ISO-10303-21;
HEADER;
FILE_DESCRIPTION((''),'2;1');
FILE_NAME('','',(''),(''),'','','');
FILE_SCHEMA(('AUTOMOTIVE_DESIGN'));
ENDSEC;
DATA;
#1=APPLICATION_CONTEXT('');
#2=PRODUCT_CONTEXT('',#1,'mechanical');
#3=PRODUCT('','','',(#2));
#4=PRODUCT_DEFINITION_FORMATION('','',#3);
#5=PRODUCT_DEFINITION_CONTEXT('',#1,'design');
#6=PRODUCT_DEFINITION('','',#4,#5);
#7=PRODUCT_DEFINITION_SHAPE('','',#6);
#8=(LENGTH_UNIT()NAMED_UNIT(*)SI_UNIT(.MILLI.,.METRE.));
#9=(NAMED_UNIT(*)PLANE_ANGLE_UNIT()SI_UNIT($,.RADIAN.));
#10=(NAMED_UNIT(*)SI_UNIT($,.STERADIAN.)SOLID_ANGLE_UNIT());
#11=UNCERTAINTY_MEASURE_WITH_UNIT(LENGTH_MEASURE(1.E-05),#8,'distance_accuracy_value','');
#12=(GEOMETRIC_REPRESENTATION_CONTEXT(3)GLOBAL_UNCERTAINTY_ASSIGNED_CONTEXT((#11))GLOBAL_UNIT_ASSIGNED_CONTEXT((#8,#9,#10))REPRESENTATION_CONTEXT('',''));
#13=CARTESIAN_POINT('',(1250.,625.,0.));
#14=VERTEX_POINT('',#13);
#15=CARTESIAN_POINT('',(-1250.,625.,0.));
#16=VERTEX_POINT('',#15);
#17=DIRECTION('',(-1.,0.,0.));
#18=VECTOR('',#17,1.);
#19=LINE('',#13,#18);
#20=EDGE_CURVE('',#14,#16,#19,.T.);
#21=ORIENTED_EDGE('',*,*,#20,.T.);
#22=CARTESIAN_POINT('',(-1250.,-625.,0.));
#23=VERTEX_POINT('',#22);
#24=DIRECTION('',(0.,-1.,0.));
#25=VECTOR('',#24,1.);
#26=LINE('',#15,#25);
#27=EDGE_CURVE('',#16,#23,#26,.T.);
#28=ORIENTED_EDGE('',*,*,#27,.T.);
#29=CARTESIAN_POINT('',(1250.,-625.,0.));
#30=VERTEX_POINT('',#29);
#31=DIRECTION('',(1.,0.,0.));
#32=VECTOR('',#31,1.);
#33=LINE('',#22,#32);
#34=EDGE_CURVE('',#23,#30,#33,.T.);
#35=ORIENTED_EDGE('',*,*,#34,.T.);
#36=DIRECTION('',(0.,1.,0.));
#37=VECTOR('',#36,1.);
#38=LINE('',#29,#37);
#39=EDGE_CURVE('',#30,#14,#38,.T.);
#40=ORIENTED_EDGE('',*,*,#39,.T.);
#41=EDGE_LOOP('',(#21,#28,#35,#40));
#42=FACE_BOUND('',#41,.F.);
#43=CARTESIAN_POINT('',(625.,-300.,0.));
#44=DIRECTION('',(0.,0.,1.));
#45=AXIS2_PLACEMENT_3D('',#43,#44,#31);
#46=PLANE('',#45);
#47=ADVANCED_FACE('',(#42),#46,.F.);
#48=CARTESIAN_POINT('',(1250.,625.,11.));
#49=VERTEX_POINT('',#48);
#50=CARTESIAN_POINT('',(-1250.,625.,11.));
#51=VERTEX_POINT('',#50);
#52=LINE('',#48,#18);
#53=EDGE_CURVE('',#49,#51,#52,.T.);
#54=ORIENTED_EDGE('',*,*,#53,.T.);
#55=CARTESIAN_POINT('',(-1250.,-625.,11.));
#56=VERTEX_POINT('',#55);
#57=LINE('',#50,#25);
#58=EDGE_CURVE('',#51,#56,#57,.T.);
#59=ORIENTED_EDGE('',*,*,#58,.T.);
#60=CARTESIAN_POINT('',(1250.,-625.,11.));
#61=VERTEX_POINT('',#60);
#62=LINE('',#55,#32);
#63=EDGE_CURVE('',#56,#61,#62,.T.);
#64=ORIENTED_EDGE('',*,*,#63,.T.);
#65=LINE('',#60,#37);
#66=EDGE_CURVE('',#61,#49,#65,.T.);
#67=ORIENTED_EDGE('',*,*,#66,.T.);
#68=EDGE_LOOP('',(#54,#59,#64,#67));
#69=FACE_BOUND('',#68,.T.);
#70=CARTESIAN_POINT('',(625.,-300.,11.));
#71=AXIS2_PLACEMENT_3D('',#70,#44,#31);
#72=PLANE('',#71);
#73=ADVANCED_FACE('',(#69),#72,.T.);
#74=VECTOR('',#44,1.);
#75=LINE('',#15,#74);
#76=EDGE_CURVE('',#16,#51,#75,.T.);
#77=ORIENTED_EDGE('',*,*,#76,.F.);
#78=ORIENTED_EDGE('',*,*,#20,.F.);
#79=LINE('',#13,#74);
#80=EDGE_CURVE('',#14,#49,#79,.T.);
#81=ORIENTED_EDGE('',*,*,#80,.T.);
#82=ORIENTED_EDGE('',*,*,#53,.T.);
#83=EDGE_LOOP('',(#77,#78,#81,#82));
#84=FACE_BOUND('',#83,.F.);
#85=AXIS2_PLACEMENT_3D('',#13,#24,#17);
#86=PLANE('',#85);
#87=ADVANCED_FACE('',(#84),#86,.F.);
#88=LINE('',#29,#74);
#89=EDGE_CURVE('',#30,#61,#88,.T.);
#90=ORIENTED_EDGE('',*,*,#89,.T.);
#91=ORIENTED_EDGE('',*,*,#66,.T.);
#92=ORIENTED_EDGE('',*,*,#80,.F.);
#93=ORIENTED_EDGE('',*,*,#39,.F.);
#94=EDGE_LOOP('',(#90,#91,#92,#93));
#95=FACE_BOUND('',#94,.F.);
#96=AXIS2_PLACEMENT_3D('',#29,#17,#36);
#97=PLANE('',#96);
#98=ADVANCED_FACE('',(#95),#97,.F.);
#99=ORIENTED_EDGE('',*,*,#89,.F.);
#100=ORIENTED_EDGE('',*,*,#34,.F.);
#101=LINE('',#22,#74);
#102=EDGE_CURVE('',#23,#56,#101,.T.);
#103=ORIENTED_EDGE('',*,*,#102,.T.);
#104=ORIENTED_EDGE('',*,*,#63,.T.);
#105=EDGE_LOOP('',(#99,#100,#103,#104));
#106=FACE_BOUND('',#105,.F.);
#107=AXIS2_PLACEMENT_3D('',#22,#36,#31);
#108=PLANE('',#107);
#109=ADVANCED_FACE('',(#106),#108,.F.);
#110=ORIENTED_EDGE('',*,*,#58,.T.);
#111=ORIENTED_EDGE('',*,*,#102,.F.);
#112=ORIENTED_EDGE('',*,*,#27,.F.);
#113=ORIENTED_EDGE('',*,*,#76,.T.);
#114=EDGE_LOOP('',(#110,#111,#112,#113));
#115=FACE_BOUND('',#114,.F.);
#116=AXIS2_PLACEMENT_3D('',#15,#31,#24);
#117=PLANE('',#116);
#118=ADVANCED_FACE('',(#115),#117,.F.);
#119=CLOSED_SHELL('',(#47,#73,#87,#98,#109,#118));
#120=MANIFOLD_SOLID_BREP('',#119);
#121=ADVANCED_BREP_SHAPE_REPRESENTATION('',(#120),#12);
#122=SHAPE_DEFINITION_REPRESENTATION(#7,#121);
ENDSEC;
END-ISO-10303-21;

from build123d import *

# Parameters (mm, degrees)
F0_W     = 1250
F0_H     = 650
F0_H_2   = 600
F1_DEPTH = 11


with BuildPart() as f1:
    # F0 (on Top) → F1 (new body)
    with BuildSketch(Plane.XY):
        with Locations((625, -300)):
            Rectangle(F0_W, F0_H)
        with Locations((-625, -300)):
            Rectangle(F0_W, F0_H)
        with Locations((625, 325)):
            Rectangle(F0_W, F0_H_2)
        with Locations((-625, 325)):
            Rectangle(F0_W, F0_H_2)
    extrude(amount=F1_DEPTH)


solid = f1.part
